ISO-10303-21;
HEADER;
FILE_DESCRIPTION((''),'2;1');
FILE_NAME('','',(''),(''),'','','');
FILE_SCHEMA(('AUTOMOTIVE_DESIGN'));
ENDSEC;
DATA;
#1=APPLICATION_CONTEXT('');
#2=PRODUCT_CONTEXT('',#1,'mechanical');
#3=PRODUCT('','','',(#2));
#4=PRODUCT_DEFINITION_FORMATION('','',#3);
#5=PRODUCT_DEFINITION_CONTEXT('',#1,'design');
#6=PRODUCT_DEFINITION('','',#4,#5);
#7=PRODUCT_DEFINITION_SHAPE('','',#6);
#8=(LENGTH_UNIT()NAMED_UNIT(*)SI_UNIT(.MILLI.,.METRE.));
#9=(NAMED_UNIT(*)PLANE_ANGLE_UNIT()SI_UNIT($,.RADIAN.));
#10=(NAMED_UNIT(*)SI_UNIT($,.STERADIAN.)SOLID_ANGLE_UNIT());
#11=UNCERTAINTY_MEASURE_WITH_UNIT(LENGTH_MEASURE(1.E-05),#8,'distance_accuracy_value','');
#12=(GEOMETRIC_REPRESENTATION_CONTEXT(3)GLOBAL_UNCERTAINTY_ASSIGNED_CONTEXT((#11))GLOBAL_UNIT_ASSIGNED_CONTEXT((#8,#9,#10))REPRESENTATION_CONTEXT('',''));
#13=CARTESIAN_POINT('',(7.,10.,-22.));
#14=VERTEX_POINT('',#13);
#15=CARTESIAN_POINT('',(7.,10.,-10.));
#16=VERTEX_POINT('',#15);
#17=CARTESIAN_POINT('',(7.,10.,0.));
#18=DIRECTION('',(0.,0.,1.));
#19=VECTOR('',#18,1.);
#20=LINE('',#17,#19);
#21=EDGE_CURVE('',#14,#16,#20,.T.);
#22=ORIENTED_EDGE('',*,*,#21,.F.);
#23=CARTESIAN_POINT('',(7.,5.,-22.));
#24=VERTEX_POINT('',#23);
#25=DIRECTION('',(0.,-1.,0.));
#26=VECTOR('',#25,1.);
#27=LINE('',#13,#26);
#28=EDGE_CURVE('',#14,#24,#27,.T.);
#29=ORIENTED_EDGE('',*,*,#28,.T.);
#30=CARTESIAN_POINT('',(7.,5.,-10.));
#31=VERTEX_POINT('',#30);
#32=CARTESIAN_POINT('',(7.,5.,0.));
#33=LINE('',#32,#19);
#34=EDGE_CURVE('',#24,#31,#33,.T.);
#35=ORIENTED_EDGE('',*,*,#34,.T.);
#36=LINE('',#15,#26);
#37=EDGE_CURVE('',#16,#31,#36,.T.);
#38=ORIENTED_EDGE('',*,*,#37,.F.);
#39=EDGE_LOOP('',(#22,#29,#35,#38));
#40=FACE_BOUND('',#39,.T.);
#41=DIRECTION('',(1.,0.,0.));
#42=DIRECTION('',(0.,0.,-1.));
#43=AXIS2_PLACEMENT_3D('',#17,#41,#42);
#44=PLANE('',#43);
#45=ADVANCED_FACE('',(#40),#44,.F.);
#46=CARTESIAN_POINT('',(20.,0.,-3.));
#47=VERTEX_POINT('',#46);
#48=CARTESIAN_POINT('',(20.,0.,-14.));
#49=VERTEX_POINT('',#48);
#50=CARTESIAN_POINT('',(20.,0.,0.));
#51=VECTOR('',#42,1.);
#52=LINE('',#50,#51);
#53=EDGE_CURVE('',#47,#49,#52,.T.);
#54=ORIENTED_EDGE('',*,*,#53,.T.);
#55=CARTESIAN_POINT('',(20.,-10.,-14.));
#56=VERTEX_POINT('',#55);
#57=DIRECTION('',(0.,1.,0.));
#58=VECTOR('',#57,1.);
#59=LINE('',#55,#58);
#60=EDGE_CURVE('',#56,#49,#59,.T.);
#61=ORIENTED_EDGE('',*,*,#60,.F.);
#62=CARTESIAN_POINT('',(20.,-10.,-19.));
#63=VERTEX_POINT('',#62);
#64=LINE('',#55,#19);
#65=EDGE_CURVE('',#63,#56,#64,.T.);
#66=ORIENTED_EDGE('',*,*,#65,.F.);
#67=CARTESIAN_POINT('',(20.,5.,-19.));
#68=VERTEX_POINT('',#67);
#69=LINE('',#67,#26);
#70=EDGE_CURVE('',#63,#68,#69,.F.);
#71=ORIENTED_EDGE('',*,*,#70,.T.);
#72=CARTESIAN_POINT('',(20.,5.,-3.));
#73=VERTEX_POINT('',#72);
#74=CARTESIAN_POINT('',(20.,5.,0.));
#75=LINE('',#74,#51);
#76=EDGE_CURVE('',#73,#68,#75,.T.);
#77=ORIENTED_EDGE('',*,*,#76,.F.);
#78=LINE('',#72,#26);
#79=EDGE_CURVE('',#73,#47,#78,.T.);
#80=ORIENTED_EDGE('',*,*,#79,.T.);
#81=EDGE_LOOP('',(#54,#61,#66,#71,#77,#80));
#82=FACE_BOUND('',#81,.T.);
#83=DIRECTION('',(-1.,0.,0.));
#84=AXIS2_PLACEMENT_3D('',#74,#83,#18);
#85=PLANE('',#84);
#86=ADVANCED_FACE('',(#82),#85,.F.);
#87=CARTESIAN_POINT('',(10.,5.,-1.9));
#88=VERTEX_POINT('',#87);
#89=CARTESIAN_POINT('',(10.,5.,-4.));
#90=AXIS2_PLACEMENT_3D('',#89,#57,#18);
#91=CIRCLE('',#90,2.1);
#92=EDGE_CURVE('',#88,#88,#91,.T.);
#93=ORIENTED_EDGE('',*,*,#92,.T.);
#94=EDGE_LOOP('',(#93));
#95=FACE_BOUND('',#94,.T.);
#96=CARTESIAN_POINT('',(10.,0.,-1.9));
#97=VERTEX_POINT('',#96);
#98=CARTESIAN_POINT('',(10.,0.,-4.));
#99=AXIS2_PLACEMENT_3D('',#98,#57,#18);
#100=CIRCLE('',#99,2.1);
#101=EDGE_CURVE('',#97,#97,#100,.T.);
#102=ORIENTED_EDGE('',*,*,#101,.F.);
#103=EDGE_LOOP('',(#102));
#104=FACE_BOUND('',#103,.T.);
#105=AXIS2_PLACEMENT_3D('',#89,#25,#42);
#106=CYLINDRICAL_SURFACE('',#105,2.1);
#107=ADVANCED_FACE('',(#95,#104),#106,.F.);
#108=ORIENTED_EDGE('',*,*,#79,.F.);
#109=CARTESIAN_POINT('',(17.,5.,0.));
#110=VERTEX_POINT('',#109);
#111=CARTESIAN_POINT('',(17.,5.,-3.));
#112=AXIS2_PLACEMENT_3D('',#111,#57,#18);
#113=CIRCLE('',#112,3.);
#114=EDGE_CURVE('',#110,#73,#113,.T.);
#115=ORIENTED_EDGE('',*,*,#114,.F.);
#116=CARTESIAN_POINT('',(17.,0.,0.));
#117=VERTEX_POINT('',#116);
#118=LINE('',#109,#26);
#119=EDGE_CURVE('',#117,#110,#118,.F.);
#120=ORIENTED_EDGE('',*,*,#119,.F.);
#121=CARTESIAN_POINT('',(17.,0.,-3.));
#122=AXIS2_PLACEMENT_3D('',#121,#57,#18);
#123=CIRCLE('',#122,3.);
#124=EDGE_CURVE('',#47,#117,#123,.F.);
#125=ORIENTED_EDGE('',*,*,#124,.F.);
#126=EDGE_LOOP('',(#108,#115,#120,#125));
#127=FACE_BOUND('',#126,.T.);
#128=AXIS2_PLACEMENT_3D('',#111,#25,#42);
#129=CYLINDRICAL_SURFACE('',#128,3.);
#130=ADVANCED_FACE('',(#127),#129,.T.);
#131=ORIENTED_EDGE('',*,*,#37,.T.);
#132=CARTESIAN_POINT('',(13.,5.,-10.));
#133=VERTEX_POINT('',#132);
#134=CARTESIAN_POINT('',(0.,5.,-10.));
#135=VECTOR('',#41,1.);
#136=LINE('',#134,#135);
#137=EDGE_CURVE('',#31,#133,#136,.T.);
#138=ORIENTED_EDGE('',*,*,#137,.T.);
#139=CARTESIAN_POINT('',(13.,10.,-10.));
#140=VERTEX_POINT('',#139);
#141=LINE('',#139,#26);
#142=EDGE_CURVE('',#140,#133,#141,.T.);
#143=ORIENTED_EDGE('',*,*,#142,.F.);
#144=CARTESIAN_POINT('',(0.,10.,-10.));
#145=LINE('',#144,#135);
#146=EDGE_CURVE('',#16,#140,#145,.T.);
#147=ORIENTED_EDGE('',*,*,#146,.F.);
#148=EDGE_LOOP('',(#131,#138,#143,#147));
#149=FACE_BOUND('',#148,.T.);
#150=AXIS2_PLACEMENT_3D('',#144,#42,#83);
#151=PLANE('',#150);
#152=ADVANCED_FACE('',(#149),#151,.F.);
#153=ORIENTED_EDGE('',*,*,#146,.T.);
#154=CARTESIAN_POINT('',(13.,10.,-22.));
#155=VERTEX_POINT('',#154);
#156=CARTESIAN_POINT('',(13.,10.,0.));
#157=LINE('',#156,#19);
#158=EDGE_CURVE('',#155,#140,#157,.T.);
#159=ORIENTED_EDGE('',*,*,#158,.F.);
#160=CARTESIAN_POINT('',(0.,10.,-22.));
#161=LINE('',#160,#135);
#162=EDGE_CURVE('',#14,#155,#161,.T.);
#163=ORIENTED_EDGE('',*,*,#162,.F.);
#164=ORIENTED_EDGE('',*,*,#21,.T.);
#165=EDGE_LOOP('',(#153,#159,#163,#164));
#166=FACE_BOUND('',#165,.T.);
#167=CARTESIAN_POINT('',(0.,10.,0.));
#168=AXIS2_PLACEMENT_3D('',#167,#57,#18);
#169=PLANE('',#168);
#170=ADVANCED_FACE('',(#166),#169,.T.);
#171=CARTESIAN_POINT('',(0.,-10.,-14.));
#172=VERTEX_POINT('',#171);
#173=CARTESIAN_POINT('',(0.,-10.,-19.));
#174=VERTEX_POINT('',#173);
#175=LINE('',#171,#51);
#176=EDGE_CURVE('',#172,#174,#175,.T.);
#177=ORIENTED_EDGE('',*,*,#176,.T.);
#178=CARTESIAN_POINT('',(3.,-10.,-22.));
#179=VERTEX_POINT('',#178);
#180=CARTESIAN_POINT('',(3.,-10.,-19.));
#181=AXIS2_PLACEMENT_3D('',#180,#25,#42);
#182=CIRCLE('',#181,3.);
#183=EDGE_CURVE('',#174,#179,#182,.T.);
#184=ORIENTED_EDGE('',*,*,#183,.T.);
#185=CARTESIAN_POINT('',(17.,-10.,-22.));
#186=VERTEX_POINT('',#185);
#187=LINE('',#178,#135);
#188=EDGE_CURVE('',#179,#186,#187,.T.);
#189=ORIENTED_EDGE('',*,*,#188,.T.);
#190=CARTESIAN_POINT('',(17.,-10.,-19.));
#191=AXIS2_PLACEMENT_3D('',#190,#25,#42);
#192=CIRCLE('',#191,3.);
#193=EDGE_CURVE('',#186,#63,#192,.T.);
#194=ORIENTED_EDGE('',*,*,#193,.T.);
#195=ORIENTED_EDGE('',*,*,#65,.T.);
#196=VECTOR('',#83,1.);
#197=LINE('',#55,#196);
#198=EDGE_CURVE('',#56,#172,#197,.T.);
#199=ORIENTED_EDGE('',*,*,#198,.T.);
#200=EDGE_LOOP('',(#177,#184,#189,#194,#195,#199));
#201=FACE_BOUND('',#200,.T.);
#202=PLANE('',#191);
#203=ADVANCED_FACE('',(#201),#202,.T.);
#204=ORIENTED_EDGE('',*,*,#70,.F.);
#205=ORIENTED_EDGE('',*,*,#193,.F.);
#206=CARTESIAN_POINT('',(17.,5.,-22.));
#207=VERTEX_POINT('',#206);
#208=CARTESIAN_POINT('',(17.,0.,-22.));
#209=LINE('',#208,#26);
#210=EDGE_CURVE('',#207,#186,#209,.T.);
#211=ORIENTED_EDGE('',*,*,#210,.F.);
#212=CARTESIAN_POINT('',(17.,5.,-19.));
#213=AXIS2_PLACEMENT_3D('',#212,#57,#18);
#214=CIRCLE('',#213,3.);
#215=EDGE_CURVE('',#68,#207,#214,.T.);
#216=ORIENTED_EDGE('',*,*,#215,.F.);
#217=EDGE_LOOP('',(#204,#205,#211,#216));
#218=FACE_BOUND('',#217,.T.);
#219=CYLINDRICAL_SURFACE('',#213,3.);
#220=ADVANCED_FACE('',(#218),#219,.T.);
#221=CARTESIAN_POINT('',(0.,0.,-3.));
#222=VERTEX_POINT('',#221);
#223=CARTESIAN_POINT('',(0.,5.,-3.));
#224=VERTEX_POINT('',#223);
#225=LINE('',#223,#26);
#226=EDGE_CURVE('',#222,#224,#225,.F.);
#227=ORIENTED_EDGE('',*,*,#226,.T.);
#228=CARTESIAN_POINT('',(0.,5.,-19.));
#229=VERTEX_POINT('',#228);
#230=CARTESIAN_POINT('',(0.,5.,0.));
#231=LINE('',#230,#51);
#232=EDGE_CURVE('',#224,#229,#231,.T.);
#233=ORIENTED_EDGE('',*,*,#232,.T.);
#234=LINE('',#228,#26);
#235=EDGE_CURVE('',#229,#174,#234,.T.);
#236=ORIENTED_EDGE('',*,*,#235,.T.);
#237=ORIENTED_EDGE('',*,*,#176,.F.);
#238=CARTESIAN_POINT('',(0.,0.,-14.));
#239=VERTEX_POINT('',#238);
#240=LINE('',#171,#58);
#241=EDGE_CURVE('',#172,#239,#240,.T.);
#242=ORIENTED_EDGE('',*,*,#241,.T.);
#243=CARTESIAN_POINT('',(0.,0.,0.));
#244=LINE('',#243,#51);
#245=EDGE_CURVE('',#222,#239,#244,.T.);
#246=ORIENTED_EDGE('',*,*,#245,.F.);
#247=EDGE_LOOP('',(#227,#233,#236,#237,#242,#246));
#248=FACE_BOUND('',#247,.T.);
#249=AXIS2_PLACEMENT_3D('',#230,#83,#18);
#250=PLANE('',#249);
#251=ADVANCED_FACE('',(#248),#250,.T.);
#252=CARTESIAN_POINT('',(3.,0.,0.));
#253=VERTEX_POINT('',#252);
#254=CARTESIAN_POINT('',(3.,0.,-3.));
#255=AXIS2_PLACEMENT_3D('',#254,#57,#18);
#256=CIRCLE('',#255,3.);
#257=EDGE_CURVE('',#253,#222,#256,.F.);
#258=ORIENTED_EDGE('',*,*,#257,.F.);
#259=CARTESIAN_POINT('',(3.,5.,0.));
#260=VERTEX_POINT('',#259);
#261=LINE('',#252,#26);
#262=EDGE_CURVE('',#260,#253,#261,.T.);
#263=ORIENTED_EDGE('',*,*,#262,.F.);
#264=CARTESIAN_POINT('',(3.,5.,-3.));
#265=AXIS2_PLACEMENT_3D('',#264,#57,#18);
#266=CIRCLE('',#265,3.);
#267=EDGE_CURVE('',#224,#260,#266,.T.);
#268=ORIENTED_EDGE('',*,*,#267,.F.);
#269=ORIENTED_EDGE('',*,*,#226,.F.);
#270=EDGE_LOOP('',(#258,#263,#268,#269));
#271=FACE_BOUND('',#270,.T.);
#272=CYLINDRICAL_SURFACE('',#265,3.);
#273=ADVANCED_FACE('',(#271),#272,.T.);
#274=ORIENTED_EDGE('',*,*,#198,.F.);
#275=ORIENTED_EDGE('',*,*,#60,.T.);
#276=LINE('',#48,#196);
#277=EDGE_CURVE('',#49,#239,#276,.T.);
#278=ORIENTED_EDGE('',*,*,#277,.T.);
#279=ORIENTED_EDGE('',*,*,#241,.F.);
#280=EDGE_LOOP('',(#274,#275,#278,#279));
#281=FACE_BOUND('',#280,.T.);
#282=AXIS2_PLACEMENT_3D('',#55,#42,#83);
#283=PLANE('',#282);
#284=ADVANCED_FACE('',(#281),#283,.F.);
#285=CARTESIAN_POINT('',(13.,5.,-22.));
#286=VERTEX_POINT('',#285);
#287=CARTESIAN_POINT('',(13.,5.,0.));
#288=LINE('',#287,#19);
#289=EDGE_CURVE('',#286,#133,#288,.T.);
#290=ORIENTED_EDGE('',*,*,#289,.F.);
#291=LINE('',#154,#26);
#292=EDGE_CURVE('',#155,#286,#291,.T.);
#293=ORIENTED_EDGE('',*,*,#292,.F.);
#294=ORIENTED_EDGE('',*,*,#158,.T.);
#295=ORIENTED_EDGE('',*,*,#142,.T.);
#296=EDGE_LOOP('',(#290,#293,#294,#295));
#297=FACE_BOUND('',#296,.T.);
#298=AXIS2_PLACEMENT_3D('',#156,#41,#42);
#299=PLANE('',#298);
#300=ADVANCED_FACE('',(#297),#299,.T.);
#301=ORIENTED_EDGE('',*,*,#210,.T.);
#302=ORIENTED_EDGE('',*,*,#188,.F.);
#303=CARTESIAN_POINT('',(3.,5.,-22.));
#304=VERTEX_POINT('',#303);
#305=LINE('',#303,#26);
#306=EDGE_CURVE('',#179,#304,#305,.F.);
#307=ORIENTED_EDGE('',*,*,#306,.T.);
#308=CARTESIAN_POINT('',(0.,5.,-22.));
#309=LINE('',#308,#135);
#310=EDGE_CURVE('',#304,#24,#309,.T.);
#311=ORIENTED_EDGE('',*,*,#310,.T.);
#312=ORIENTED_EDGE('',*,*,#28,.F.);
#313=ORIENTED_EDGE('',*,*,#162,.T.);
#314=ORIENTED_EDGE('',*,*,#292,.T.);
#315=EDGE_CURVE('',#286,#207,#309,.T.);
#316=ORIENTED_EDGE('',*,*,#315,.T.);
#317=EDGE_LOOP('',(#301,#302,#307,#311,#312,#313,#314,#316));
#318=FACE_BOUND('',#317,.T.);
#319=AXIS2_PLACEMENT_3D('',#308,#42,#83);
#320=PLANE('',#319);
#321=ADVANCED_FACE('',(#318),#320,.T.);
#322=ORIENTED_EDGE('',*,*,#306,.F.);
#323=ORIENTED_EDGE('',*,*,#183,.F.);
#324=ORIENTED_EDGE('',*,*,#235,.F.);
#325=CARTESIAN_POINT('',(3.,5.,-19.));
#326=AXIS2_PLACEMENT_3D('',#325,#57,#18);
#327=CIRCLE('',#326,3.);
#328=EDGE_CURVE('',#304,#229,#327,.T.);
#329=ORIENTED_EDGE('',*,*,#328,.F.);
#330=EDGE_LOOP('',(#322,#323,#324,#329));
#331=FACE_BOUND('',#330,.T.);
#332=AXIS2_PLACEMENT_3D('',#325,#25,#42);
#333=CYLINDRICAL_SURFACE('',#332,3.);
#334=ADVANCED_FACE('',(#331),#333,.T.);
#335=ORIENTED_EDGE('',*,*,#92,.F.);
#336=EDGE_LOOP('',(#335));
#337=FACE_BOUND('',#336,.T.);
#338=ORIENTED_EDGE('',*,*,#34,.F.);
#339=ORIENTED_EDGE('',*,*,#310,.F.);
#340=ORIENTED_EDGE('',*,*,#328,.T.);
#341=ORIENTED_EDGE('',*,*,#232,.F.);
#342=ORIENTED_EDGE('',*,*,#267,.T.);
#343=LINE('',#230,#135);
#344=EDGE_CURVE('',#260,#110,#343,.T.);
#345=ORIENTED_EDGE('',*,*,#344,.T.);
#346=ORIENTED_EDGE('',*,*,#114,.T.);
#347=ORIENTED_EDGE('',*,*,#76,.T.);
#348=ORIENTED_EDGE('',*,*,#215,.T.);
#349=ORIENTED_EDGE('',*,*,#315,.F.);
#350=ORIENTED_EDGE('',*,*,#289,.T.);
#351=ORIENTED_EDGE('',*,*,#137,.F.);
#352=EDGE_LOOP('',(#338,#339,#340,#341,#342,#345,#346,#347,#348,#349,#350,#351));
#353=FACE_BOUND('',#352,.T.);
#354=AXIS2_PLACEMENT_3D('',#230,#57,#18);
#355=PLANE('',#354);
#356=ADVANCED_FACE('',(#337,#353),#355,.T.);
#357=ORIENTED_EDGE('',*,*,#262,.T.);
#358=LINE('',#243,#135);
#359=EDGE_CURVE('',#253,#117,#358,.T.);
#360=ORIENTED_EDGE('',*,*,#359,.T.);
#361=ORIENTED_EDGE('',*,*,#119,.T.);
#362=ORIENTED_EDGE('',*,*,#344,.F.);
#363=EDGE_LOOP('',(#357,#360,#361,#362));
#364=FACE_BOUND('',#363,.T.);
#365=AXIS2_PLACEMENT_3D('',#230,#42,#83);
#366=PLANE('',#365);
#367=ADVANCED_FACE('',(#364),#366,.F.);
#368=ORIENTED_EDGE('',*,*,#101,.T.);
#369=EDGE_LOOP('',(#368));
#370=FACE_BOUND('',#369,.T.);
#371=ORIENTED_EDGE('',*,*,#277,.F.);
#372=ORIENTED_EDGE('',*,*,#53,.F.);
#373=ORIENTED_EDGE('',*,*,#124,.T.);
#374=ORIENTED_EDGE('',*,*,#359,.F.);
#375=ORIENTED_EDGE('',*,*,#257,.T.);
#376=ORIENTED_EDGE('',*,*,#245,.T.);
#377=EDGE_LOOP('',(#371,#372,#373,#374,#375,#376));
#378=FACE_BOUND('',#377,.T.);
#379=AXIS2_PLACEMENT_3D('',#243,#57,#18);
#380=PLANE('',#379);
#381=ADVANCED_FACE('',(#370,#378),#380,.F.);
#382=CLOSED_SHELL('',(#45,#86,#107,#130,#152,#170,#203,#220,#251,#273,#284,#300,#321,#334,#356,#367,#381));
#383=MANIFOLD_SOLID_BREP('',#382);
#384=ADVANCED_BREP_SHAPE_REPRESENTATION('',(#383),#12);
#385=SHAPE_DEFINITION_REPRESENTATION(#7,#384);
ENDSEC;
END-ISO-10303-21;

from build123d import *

# Parameters (mm, degrees)
SKETCH_1_R      = 2.1
EXTRUDE_1_DEPTH = 5
EXTRUDE_START   = 5
SKETCH_1_3_W    = 6
SKETCH_1_3_H    = 12
EXTRUDE_2_DEPTH = 5
FILLET_2_R      = 3
EXTRUDE_3_DEPTH = 10


with BuildPart() as part:
    # 草图1 → 凸台-拉伸1 (new body)
    # profile 1 of 10: a face of its own
    with BuildSketch(Plane(origin=(0, 0, 0), x_dir=(1, 0, 0), z_dir=(0, 1, 0))):
        with BuildLine():
            Line((0, 22), (0, 0))
            Line((0, 0), (20, 0))
            Line((20, 0), (20, 22))
            Line((20, 22), (13, 22))
            Line((13, 22), (13, 17.968245837))
            ThreePointArc((13, 17.968245837), (13.862372436, 17.790569415), (14.25, 17))
            ThreePointArc((14.25, 17), (13.862372436, 16.209430585), (13, 16.031754163))
            Line((13, 16.031754163), (13, 10))
            Line((13, 10), (7, 10))
            Line((7, 10), (7, 16.031754163))
            ThreePointArc((7, 16.031754163), (5.75, 17), (7, 17.968245837))
            Line((7, 17.968245837), (7, 22))
            Line((7, 22), (0, 22))
        make_face()
        with Locations(Location((10, 4, 0), (0, 0, 270))):
            Circle(SKETCH_1_R, mode=Mode.SUBTRACT)
    # profile 2 of 10: a face of its own
    with BuildSketch(Plane(origin=(0, 0, 0), x_dir=(1, 0, 0), z_dir=(0, 1, 0))):
        with BuildLine():
            Line((13, 22), (7, 22))
            Line((7, 22), (7, 17.968245837))
            ThreePointArc((7, 17.968245837), (7.540569415, 17.612372436), (7.75, 17))
            ThreePointArc((7.75, 17), (7.540569415, 16.387627564), (7, 16.031754163))
            Line((7, 16.031754163), (7, 10))
            Line((7, 10), (13, 10))
            Line((13, 10), (13, 16.031754163))
            ThreePointArc((13, 16.031754163), (12.25, 17), (13, 17.968245837))
            Line((13, 17.968245837), (13, 22))
        make_face()
    # profile 3 of 10: a face of its own
    with BuildSketch(Plane(origin=(0, 0, 0), x_dir=(1, 0, 0), z_dir=(0, 1, 0))):
        with BuildLine():
            ThreePointArc((14.25, 17), (13.862372436, 17.790569415), (13, 17.968245837))
            Line((13, 17.968245837), (13, 16.031754163))
            ThreePointArc((13, 16.031754163), (13.862372436, 16.209430585), (14.25, 17))
        make_face()
    # profile 4 of 10: a face of its own
    with BuildSketch(Plane(origin=(0, 0, 0), x_dir=(1, 0, 0), z_dir=(0, 1, 0))):
        with BuildLine():
            Line((13, 16.031754163), (13, 17.968245837))
            ThreePointArc((13, 17.968245837), (12.25, 17), (13, 16.031754163))
        make_face()
    # profile 5 of 10: a face of its own
    with BuildSketch(Plane(origin=(0, 0, 0), x_dir=(1, 0, 0), z_dir=(0, 1, 0))):
        with BuildLine():
            ThreePointArc((14.25, 17), (13.862372436, 17.790569415), (13, 17.968245837))
            Line((13, 17.968245837), (13, 16.031754163))
            ThreePointArc((13, 16.031754163), (13.862372436, 16.209430585), (14.25, 17))
        make_face()
    # profile 6 of 10: a face of its own
    with BuildSketch(Plane(origin=(0, 0, 0), x_dir=(1, 0, 0), z_dir=(0, 1, 0))):
        with BuildLine():
            Line((13, 16.031754163), (13, 17.968245837))
            ThreePointArc((13, 17.968245837), (12.25, 17), (13, 16.031754163))
        make_face()
    # profile 7 of 10: a face of its own
    with BuildSketch(Plane(origin=(0, 0, 0), x_dir=(1, 0, 0), z_dir=(0, 1, 0))):
        with BuildLine():
            ThreePointArc((7.75, 17), (7.540569415, 17.612372436), (7, 17.968245837))
            Line((7, 17.968245837), (7, 16.031754163))
            ThreePointArc((7, 16.031754163), (7.540569415, 16.387627564), (7.75, 17))
        make_face()
    # profile 8 of 10: a face of its own
    with BuildSketch(Plane(origin=(0, 0, 0), x_dir=(1, 0, 0), z_dir=(0, 1, 0))):
        with BuildLine():
            Line((7, 16.031754163), (7, 17.968245837))
            ThreePointArc((7, 17.968245837), (5.75, 17), (7, 16.031754163))
        make_face()
    # profile 9 of 10: a face of its own
    with BuildSketch(Plane(origin=(0, 0, 0), x_dir=(1, 0, 0), z_dir=(0, 1, 0))):
        with BuildLine():
            ThreePointArc((7.75, 17), (7.540569415, 17.612372436), (7, 17.968245837))
            Line((7, 17.968245837), (7, 16.031754163))
            ThreePointArc((7, 16.031754163), (7.540569415, 16.387627564), (7.75, 17))
        make_face()
    # profile 10 of 10: a face of its own
    with BuildSketch(Plane(origin=(0, 0, 0), x_dir=(1, 0, 0), z_dir=(0, 1, 0))):
        with BuildLine():
            Line((7, 16.031754163), (7, 17.968245837))
            ThreePointArc((7, 17.968245837), (5.75, 17), (7, 16.031754163))
        make_face()
    extrude(amount=EXTRUDE_1_DEPTH)

    # 草图1<3> → 凸台-拉伸2 (add)
    with BuildSketch(Plane(origin=(0, 0, 0), x_dir=(1, 0, 0), z_dir=(0, 1, 0)).offset(EXTRUDE_START)):
        with Locations((10, 16)):
            Rectangle(SKETCH_1_3_W, SKETCH_1_3_H)
    extrude(amount=EXTRUDE_2_DEPTH)

    # 圆角2
    fillet_2_edges = [part.edges().sort_by_distance(p)[0] for p in [
        (20, 2.5, 0),
        (0, 2.5, 0),
        (0, 2.5, -22),
        (20, 2.5, -22),
    ]]
    fillet(fillet_2_edges, radius=FILLET_2_R)

    # 草图2 → 凸台-拉伸3 (add)
    with BuildSketch(Plane.XZ):
        with BuildLine():
            Line((3, -22), (17, -22))
            ThreePointArc((17, -22), (19.121320344, -21.121320344), (20, -19))
            Line((20, -19), (20, -14))
            Line((20, -14), (0, -14))
            Line((0, -14), (0, -19))
            ThreePointArc((0, -19), (0.878679656, -21.121320344), (3, -22))
        make_face()
    extrude(amount=EXTRUDE_3_DEPTH)


solid = part.part
